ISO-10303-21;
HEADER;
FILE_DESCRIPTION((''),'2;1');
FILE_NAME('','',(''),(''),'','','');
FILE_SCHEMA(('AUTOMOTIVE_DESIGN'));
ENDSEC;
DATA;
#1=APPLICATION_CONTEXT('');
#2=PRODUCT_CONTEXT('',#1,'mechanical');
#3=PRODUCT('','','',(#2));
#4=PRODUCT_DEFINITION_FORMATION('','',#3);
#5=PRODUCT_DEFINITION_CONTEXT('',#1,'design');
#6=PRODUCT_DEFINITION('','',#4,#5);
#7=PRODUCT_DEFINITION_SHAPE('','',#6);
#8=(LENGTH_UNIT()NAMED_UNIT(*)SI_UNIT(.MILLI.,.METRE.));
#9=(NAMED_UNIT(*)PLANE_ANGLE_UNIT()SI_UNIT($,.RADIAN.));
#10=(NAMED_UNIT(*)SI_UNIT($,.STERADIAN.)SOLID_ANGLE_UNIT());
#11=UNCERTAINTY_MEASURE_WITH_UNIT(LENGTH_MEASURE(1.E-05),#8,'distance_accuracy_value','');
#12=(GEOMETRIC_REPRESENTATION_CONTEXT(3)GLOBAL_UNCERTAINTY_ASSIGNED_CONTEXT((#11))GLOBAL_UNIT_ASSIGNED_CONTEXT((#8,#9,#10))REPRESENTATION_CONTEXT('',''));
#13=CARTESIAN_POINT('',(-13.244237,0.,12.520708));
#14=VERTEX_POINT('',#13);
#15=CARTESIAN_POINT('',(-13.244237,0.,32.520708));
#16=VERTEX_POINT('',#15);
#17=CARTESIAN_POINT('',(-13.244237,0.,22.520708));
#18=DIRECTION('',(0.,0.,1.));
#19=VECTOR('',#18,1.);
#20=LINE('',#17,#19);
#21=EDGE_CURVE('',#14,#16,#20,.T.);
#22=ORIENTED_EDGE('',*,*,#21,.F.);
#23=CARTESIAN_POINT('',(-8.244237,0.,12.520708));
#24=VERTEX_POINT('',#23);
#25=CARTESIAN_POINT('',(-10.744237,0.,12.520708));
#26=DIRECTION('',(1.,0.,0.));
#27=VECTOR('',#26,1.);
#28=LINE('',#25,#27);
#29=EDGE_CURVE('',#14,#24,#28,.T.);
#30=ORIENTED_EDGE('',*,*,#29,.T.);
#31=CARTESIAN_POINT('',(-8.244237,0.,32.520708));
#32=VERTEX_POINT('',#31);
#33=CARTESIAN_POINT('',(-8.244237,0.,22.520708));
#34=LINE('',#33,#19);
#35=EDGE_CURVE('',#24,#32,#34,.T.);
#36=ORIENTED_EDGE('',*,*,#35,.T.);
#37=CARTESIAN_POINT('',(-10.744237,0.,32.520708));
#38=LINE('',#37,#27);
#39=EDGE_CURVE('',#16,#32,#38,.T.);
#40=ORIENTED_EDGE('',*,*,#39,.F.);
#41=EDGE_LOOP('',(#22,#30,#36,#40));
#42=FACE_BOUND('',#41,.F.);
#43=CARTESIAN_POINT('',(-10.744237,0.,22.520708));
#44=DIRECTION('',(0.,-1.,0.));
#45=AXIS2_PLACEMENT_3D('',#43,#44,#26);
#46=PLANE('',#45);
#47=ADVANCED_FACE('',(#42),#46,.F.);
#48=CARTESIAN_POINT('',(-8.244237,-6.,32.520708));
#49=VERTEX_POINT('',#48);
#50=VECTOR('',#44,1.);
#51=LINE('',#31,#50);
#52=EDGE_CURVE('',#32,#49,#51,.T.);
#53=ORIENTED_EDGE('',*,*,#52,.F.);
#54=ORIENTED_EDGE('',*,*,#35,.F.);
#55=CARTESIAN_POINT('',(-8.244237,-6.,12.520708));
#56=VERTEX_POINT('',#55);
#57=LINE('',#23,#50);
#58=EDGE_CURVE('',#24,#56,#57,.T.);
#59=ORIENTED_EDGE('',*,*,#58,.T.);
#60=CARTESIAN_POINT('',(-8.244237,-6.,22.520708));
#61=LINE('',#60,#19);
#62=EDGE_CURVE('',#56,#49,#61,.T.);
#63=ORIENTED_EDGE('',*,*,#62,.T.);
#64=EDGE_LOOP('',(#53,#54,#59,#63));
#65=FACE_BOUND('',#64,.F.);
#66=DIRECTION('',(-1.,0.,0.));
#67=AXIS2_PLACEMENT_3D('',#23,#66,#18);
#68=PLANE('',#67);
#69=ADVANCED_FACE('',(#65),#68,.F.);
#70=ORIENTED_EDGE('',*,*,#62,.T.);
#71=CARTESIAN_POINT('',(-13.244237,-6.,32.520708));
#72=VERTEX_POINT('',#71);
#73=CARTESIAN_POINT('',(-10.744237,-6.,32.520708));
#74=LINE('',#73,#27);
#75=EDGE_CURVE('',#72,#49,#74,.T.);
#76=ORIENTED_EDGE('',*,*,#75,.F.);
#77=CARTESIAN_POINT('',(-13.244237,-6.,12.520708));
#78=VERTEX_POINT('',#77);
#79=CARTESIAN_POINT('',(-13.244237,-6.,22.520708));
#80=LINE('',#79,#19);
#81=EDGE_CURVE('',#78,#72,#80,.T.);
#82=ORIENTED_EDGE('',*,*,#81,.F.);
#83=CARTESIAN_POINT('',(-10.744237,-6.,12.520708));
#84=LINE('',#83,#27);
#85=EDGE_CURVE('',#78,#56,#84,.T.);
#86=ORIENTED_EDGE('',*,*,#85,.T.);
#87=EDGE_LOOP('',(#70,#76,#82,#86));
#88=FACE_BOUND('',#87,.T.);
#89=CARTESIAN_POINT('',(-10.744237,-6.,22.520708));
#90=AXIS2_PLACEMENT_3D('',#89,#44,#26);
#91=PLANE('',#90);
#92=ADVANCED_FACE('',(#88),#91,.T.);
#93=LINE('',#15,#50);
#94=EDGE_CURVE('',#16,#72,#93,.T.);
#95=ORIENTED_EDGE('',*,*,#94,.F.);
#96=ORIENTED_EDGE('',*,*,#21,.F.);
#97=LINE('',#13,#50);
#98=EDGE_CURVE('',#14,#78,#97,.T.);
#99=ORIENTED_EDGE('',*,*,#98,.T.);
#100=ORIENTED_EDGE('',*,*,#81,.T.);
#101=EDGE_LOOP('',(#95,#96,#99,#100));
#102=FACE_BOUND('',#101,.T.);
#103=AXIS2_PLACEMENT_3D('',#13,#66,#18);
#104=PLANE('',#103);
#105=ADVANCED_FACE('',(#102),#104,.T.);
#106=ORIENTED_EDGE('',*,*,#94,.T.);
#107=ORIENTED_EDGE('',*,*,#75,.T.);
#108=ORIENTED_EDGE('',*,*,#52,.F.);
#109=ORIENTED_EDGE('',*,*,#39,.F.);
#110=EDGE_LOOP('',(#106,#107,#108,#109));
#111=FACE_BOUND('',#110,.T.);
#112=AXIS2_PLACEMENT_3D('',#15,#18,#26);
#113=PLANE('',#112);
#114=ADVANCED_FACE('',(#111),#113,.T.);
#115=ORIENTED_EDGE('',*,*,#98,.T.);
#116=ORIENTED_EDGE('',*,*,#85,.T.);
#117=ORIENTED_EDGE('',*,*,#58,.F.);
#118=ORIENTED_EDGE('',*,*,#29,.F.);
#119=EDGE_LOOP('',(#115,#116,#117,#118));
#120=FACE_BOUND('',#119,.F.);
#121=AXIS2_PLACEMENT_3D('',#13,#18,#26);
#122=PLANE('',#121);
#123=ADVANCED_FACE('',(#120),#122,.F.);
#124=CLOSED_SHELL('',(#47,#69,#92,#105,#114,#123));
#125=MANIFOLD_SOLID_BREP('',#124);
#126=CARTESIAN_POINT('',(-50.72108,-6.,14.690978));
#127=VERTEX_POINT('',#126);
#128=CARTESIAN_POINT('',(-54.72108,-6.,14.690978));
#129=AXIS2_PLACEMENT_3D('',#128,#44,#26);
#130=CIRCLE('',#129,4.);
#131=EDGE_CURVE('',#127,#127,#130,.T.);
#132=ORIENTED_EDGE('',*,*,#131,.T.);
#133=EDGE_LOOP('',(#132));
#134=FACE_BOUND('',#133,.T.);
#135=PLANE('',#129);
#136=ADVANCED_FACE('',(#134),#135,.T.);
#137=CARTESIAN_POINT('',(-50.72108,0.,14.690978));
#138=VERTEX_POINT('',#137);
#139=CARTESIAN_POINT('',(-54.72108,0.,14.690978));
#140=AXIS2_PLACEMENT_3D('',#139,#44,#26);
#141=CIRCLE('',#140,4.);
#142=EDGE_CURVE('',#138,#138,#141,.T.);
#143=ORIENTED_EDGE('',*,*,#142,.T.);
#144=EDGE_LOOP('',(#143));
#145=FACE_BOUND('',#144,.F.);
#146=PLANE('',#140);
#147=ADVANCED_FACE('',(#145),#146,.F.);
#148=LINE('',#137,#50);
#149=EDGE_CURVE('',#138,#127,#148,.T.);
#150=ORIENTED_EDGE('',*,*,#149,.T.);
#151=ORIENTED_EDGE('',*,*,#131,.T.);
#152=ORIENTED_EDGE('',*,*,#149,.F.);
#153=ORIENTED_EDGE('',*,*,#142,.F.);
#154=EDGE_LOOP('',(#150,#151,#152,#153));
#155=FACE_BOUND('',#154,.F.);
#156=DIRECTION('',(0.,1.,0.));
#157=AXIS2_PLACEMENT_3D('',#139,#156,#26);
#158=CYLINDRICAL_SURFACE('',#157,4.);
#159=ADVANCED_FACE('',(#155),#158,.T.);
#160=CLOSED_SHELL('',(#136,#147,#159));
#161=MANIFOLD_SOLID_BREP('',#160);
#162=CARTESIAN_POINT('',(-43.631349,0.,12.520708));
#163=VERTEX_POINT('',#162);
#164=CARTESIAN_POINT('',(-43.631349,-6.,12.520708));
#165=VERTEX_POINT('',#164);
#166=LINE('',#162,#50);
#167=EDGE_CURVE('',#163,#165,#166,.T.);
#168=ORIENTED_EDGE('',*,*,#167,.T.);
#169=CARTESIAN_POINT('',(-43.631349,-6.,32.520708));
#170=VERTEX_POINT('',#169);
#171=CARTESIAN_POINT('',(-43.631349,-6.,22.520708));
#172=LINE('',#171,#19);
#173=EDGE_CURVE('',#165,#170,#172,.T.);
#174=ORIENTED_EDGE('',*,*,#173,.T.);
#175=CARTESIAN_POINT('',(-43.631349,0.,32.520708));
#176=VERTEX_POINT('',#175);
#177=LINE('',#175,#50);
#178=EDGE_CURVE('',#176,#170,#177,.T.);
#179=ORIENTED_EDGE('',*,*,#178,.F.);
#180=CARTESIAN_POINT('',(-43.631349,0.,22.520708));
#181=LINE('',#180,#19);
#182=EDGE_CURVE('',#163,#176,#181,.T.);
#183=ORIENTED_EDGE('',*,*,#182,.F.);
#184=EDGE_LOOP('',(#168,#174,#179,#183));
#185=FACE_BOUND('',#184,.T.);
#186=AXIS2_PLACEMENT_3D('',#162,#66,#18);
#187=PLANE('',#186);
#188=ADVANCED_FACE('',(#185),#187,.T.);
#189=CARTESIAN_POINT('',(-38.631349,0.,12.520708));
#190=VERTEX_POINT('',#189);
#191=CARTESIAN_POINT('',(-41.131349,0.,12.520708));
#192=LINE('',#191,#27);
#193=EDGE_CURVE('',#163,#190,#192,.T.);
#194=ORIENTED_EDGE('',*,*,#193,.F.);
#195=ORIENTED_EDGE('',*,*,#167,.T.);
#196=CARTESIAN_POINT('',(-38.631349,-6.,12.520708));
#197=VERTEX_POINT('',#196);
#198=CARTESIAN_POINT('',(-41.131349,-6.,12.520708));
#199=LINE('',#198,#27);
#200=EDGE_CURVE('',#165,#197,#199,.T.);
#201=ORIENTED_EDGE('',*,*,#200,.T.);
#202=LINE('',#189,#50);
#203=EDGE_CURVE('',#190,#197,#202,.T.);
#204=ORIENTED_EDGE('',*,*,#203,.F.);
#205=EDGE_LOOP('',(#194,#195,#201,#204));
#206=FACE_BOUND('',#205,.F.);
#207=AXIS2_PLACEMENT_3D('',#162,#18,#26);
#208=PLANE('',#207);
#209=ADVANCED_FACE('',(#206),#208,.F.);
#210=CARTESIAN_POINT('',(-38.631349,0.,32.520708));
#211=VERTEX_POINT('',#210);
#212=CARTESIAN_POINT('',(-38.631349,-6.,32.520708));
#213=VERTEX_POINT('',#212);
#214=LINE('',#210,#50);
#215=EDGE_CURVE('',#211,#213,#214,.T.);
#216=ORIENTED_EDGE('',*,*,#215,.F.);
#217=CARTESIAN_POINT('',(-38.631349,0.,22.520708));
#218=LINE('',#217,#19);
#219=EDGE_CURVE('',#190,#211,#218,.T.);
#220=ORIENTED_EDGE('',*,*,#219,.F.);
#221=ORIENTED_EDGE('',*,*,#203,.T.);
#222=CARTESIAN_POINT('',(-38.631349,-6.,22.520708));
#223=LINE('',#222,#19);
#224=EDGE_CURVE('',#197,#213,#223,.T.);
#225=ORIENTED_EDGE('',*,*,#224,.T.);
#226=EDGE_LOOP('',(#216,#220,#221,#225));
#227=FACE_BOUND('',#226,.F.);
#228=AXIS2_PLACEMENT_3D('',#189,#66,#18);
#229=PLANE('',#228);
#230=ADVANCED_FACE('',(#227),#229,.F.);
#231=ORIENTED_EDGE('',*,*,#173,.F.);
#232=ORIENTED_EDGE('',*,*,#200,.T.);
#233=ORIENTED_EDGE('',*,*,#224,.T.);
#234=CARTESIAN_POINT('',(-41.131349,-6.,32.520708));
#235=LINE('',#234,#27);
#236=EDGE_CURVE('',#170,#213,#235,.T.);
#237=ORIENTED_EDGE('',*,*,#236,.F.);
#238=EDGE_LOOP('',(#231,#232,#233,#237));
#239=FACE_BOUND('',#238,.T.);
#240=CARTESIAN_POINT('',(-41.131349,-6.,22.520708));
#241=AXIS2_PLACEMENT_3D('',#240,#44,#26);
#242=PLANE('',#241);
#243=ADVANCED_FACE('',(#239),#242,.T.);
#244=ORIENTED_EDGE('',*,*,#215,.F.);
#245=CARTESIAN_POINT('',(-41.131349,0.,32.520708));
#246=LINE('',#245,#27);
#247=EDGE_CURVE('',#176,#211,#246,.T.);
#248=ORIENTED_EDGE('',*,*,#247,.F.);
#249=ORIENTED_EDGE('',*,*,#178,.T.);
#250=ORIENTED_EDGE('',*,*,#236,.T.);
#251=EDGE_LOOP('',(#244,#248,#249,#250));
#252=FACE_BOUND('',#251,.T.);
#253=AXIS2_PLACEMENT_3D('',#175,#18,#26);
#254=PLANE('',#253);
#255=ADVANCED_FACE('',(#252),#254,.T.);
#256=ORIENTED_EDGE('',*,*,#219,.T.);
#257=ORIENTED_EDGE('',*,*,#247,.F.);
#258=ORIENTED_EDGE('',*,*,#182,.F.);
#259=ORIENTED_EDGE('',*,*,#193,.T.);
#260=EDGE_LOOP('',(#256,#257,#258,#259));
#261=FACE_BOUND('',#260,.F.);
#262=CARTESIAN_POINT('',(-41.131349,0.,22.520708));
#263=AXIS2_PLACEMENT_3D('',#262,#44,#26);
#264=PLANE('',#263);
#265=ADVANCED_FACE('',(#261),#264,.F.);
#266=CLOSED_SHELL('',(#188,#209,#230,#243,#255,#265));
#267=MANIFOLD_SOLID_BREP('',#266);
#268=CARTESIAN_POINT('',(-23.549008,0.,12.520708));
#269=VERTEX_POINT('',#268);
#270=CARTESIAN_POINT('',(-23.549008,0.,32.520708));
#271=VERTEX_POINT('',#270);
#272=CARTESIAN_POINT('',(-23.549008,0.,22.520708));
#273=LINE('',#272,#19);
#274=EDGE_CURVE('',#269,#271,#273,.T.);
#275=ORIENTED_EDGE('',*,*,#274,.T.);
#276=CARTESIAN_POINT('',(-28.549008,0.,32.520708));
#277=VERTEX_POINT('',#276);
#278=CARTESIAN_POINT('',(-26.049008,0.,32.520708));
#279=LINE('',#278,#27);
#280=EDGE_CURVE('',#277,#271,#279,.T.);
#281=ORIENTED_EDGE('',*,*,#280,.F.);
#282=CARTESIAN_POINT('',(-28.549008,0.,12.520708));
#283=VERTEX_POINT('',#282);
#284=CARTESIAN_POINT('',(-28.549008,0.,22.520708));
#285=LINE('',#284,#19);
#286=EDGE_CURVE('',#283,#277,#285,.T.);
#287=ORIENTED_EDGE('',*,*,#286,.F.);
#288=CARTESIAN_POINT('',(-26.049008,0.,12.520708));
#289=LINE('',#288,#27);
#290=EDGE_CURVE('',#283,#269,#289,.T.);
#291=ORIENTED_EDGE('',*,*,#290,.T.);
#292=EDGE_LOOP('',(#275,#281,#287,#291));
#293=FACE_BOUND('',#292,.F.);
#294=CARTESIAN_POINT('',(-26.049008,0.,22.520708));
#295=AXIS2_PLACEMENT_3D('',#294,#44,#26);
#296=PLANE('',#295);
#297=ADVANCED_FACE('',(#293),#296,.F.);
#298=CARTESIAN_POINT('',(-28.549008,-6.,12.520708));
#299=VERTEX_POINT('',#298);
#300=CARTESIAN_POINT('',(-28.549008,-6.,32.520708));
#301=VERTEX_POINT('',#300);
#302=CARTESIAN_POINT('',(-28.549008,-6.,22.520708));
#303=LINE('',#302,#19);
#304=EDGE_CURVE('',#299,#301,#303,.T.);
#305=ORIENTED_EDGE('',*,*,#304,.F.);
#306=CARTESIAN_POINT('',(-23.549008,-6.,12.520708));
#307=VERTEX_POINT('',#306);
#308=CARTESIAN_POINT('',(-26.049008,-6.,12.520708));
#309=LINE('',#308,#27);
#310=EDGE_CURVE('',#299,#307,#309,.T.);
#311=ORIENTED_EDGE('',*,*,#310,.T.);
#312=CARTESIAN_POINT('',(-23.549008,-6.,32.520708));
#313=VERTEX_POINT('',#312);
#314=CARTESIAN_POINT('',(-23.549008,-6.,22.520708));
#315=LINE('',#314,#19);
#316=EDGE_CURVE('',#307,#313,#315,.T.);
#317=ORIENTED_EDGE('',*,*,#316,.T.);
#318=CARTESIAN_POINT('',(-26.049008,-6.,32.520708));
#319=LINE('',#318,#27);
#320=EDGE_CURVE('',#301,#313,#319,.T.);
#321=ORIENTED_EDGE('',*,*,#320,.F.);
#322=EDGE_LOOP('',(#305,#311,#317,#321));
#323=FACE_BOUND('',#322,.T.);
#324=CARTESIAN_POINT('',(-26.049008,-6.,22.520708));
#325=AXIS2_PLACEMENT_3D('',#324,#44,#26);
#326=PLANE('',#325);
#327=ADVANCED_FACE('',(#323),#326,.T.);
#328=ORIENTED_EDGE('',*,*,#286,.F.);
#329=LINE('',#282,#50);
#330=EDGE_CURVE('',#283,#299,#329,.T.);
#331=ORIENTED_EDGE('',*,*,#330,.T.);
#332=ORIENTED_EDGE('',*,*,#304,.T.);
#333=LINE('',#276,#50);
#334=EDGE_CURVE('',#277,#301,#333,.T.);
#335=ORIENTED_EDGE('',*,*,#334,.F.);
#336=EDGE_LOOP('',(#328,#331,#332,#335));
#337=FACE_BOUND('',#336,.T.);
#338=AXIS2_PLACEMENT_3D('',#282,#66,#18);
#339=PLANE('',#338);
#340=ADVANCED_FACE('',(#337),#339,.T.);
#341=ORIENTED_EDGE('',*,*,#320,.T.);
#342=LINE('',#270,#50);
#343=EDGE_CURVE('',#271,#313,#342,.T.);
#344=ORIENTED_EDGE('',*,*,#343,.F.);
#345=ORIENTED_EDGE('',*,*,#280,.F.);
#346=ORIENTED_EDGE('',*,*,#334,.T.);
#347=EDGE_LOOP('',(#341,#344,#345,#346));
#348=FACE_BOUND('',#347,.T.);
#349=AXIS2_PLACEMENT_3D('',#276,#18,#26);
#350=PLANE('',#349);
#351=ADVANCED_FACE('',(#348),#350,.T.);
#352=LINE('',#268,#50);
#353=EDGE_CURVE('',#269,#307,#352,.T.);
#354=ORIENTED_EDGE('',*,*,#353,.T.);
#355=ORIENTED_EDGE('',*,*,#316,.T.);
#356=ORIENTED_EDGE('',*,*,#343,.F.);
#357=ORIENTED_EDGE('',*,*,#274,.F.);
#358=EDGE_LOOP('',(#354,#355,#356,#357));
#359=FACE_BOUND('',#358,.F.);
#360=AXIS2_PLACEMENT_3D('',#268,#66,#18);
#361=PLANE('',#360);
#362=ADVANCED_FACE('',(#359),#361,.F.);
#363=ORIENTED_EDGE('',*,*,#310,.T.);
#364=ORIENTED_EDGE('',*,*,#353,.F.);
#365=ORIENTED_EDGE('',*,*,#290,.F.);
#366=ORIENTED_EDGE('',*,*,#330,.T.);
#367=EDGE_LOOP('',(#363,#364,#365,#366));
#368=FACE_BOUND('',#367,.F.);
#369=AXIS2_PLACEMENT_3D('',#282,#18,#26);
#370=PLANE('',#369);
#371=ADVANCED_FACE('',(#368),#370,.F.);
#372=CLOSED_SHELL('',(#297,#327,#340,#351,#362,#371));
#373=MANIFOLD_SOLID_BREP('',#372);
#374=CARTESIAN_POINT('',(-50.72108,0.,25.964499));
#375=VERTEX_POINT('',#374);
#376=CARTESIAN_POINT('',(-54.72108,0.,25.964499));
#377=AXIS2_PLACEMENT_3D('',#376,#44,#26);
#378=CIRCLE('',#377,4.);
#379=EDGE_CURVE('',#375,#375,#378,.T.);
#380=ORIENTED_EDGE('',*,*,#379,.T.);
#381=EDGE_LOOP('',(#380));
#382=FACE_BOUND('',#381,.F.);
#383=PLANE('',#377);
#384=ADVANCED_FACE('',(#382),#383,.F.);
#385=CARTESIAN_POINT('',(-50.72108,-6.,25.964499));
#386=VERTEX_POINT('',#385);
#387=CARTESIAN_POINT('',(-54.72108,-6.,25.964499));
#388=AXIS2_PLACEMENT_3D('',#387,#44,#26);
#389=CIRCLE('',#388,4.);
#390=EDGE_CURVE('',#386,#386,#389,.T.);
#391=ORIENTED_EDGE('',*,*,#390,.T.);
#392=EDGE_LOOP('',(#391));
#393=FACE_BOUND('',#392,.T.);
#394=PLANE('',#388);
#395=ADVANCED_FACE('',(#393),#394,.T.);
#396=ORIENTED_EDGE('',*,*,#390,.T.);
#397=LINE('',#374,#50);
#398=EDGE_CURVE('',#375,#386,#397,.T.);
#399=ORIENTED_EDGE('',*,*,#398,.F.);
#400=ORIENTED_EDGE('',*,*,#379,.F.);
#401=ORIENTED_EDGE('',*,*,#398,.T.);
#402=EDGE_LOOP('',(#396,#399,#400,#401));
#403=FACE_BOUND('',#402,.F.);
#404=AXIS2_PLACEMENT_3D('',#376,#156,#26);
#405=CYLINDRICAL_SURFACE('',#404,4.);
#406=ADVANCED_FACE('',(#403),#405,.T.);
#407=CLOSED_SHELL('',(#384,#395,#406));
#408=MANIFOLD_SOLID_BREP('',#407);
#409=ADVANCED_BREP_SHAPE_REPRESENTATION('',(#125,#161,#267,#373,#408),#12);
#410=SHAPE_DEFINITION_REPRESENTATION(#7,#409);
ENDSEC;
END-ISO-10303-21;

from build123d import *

# Parameters (mm, degrees)
F0_W     = 5
F0_H     = 20
F0_R     = 4
F1_DEPTH = 6


with BuildPart() as f1:
    # F0 (on Front) → F1 (new body)
    with BuildSketch(Plane.XZ):
        with Locations((-41.131349, 22.520708)):
            Rectangle(F0_W, F0_H)
        with Locations((-54.72108, 25.964499)):
            Circle(F0_R)
        with Locations((-26.049008, 22.520708)):
            Rectangle(F0_W, F0_H)
        with Locations((-10.744237, 22.520708)):
            Rectangle(F0_W, F0_H)
        with Locations((-54.72108, 14.690978)):
            Circle(F0_R)
    extrude(amount=F1_DEPTH)


solid = f1.part
